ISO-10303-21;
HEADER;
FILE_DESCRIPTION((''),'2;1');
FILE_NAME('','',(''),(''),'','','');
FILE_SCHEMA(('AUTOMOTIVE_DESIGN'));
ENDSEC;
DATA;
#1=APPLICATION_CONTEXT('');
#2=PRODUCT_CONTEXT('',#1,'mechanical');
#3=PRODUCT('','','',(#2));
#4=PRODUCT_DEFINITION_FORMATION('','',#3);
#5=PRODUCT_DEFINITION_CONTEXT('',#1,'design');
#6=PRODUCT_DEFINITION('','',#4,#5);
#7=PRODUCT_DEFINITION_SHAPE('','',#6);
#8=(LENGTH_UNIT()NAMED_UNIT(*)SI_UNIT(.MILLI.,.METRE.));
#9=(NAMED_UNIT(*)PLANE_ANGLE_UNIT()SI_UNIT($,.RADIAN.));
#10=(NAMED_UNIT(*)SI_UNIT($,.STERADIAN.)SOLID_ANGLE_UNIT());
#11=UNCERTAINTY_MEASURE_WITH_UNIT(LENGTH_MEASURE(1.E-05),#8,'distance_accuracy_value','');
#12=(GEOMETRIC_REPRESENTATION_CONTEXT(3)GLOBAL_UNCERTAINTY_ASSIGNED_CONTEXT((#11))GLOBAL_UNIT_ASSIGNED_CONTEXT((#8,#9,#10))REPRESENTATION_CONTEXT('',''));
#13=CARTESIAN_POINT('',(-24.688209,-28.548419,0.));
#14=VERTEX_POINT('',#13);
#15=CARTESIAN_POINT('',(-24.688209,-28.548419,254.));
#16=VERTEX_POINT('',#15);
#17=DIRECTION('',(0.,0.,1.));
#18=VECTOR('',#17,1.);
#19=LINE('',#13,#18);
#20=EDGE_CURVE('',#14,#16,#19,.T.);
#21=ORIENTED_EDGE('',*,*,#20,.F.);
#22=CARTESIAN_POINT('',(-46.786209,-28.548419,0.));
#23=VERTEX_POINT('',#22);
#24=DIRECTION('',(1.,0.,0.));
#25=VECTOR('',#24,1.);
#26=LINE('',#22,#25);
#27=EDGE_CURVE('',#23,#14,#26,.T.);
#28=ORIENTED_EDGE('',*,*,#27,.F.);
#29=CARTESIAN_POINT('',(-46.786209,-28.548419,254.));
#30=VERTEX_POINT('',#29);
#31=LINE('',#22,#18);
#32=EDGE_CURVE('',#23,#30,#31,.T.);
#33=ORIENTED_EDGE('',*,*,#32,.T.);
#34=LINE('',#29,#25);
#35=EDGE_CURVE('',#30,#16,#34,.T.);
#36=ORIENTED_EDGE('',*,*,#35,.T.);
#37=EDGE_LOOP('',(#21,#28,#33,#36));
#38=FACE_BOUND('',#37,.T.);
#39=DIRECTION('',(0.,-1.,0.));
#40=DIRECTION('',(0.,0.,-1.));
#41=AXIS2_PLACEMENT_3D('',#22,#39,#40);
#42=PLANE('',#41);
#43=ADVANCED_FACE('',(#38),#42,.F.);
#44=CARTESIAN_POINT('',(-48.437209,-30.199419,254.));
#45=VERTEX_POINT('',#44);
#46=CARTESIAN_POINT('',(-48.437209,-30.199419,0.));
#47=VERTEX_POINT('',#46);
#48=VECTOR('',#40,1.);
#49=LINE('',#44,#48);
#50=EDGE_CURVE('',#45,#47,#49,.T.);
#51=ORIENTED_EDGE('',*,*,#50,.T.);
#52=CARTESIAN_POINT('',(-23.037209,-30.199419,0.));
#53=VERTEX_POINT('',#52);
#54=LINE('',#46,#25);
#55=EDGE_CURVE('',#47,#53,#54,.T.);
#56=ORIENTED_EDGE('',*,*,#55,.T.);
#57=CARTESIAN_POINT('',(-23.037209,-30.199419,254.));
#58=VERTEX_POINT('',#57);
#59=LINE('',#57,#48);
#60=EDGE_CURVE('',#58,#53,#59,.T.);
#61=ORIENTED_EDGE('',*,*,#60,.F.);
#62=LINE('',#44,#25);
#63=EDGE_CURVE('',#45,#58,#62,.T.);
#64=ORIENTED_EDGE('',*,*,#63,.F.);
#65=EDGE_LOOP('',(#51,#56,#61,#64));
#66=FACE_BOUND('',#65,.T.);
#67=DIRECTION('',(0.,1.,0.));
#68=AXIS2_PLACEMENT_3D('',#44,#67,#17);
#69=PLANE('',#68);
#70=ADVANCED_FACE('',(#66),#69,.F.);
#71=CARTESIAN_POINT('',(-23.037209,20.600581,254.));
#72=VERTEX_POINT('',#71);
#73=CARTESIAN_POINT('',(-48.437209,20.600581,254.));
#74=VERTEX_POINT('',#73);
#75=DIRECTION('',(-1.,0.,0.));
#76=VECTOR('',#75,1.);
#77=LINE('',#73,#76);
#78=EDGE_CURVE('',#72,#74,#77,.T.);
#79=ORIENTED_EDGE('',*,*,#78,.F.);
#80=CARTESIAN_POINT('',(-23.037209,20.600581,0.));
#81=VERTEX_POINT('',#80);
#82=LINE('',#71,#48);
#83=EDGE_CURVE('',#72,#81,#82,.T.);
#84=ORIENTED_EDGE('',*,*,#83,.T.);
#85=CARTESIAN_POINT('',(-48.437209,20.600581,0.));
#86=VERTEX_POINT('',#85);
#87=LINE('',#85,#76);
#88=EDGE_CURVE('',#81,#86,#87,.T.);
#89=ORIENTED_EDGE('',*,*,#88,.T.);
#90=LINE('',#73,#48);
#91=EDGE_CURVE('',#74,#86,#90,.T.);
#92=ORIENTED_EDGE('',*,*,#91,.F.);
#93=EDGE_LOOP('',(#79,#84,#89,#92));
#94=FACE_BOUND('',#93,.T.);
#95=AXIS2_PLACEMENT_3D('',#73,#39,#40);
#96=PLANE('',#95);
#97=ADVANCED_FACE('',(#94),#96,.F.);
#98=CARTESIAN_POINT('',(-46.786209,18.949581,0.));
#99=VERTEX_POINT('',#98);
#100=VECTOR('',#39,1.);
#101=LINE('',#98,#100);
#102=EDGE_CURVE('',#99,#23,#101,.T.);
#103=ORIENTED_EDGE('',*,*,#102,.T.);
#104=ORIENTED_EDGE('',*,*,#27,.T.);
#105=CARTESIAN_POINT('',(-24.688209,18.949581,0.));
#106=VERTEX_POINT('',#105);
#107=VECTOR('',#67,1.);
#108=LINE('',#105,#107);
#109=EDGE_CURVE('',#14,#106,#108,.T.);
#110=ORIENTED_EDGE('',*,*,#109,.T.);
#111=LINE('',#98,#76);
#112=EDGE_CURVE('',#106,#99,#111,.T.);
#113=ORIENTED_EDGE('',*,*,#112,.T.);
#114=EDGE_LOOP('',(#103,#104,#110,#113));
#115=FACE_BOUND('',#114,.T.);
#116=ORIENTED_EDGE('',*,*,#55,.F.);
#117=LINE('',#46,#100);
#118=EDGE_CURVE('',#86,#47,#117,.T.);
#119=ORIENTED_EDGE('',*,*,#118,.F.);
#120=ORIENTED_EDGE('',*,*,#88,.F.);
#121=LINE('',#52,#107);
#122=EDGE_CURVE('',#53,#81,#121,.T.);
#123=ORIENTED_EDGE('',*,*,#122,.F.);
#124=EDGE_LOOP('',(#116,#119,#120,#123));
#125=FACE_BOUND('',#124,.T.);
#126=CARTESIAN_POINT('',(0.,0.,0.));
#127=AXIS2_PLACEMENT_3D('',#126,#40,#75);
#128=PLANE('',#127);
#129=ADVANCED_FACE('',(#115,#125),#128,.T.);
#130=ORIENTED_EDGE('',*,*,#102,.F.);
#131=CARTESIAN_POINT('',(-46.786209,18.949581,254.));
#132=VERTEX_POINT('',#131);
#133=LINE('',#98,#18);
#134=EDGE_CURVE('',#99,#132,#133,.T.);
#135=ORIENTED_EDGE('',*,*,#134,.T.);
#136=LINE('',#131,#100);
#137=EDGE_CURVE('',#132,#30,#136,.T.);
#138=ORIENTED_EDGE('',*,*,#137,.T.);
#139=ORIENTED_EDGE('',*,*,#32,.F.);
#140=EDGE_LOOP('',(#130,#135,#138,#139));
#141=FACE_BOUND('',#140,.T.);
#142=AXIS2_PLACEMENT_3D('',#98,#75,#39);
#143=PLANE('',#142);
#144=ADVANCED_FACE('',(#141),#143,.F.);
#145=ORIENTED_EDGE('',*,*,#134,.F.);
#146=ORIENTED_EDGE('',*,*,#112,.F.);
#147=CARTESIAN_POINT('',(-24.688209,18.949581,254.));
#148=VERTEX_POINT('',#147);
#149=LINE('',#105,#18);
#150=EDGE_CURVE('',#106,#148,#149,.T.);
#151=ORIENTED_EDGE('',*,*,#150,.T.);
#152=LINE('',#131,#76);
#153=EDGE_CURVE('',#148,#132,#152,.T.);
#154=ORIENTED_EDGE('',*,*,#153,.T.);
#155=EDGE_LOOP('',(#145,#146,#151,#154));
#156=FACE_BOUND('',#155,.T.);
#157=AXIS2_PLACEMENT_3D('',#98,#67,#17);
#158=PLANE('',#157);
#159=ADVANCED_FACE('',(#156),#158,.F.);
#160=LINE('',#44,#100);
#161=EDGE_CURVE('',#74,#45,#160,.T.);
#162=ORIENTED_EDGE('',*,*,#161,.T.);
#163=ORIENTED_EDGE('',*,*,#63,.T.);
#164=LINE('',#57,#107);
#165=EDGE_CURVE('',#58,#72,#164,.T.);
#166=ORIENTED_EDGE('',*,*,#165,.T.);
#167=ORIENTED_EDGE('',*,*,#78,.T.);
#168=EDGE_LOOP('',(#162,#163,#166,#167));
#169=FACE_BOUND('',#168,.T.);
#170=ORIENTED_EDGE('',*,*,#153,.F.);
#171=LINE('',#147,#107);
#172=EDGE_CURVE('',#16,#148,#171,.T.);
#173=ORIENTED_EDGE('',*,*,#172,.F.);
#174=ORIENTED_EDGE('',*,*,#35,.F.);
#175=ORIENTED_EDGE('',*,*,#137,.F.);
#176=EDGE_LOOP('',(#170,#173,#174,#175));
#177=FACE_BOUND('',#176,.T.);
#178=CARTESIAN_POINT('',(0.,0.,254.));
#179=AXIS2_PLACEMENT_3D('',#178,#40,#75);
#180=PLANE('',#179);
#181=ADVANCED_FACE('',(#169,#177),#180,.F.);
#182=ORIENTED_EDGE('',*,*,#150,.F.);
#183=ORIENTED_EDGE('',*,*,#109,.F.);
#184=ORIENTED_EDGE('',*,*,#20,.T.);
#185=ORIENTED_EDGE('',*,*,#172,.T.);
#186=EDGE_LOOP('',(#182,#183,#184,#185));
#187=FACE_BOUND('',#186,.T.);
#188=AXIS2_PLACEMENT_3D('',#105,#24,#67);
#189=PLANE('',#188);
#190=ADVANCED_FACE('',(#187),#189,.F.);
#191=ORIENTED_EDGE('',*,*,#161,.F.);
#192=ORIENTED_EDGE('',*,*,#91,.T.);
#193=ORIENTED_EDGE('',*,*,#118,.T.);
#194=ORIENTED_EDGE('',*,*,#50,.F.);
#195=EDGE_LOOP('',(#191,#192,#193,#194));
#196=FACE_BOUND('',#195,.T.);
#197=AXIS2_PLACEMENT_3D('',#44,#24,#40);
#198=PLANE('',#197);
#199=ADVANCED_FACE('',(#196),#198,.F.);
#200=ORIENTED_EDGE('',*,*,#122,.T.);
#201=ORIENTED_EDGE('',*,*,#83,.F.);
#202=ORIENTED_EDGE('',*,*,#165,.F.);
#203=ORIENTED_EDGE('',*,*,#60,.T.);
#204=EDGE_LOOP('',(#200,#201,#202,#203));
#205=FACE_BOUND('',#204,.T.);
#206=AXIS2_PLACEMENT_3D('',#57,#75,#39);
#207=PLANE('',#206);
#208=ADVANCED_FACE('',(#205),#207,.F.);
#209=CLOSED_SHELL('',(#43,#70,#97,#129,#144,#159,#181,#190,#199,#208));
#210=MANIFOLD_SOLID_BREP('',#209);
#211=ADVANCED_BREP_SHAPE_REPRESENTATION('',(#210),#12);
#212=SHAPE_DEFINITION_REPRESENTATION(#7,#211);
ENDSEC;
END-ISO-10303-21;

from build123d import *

# Parameters (mm, degrees)
SKETCH1_W           = 25.4
SKETCH1_H           = 50.8
BOSS_EXTRUDE1_DEPTH = 254
SKETCH2_W           = 22.098
SKETCH2_H           = 47.498
CUT_EXTRUDE1_DEPTH  = 261.334723249


with BuildPart() as part:
    # Sketch1 → Boss-Extrude1 (new body)
    with BuildSketch(Plane.XY):
        with Locations((-35.737209302, -4.799418605)):
            Rectangle(SKETCH1_W, SKETCH1_H)
    extrude(amount=BOSS_EXTRUDE1_DEPTH)

    # Sketch2 → Cut-Extrude1 (cut, through all)
    with BuildSketch(Plane.XY.offset(254)):
        with Locations((-35.737209302, -4.799418605)):
            Rectangle(SKETCH2_W, SKETCH2_H)
    extrude(amount=-CUT_EXTRUDE1_DEPTH, mode=Mode.SUBTRACT)


solid = part.part
